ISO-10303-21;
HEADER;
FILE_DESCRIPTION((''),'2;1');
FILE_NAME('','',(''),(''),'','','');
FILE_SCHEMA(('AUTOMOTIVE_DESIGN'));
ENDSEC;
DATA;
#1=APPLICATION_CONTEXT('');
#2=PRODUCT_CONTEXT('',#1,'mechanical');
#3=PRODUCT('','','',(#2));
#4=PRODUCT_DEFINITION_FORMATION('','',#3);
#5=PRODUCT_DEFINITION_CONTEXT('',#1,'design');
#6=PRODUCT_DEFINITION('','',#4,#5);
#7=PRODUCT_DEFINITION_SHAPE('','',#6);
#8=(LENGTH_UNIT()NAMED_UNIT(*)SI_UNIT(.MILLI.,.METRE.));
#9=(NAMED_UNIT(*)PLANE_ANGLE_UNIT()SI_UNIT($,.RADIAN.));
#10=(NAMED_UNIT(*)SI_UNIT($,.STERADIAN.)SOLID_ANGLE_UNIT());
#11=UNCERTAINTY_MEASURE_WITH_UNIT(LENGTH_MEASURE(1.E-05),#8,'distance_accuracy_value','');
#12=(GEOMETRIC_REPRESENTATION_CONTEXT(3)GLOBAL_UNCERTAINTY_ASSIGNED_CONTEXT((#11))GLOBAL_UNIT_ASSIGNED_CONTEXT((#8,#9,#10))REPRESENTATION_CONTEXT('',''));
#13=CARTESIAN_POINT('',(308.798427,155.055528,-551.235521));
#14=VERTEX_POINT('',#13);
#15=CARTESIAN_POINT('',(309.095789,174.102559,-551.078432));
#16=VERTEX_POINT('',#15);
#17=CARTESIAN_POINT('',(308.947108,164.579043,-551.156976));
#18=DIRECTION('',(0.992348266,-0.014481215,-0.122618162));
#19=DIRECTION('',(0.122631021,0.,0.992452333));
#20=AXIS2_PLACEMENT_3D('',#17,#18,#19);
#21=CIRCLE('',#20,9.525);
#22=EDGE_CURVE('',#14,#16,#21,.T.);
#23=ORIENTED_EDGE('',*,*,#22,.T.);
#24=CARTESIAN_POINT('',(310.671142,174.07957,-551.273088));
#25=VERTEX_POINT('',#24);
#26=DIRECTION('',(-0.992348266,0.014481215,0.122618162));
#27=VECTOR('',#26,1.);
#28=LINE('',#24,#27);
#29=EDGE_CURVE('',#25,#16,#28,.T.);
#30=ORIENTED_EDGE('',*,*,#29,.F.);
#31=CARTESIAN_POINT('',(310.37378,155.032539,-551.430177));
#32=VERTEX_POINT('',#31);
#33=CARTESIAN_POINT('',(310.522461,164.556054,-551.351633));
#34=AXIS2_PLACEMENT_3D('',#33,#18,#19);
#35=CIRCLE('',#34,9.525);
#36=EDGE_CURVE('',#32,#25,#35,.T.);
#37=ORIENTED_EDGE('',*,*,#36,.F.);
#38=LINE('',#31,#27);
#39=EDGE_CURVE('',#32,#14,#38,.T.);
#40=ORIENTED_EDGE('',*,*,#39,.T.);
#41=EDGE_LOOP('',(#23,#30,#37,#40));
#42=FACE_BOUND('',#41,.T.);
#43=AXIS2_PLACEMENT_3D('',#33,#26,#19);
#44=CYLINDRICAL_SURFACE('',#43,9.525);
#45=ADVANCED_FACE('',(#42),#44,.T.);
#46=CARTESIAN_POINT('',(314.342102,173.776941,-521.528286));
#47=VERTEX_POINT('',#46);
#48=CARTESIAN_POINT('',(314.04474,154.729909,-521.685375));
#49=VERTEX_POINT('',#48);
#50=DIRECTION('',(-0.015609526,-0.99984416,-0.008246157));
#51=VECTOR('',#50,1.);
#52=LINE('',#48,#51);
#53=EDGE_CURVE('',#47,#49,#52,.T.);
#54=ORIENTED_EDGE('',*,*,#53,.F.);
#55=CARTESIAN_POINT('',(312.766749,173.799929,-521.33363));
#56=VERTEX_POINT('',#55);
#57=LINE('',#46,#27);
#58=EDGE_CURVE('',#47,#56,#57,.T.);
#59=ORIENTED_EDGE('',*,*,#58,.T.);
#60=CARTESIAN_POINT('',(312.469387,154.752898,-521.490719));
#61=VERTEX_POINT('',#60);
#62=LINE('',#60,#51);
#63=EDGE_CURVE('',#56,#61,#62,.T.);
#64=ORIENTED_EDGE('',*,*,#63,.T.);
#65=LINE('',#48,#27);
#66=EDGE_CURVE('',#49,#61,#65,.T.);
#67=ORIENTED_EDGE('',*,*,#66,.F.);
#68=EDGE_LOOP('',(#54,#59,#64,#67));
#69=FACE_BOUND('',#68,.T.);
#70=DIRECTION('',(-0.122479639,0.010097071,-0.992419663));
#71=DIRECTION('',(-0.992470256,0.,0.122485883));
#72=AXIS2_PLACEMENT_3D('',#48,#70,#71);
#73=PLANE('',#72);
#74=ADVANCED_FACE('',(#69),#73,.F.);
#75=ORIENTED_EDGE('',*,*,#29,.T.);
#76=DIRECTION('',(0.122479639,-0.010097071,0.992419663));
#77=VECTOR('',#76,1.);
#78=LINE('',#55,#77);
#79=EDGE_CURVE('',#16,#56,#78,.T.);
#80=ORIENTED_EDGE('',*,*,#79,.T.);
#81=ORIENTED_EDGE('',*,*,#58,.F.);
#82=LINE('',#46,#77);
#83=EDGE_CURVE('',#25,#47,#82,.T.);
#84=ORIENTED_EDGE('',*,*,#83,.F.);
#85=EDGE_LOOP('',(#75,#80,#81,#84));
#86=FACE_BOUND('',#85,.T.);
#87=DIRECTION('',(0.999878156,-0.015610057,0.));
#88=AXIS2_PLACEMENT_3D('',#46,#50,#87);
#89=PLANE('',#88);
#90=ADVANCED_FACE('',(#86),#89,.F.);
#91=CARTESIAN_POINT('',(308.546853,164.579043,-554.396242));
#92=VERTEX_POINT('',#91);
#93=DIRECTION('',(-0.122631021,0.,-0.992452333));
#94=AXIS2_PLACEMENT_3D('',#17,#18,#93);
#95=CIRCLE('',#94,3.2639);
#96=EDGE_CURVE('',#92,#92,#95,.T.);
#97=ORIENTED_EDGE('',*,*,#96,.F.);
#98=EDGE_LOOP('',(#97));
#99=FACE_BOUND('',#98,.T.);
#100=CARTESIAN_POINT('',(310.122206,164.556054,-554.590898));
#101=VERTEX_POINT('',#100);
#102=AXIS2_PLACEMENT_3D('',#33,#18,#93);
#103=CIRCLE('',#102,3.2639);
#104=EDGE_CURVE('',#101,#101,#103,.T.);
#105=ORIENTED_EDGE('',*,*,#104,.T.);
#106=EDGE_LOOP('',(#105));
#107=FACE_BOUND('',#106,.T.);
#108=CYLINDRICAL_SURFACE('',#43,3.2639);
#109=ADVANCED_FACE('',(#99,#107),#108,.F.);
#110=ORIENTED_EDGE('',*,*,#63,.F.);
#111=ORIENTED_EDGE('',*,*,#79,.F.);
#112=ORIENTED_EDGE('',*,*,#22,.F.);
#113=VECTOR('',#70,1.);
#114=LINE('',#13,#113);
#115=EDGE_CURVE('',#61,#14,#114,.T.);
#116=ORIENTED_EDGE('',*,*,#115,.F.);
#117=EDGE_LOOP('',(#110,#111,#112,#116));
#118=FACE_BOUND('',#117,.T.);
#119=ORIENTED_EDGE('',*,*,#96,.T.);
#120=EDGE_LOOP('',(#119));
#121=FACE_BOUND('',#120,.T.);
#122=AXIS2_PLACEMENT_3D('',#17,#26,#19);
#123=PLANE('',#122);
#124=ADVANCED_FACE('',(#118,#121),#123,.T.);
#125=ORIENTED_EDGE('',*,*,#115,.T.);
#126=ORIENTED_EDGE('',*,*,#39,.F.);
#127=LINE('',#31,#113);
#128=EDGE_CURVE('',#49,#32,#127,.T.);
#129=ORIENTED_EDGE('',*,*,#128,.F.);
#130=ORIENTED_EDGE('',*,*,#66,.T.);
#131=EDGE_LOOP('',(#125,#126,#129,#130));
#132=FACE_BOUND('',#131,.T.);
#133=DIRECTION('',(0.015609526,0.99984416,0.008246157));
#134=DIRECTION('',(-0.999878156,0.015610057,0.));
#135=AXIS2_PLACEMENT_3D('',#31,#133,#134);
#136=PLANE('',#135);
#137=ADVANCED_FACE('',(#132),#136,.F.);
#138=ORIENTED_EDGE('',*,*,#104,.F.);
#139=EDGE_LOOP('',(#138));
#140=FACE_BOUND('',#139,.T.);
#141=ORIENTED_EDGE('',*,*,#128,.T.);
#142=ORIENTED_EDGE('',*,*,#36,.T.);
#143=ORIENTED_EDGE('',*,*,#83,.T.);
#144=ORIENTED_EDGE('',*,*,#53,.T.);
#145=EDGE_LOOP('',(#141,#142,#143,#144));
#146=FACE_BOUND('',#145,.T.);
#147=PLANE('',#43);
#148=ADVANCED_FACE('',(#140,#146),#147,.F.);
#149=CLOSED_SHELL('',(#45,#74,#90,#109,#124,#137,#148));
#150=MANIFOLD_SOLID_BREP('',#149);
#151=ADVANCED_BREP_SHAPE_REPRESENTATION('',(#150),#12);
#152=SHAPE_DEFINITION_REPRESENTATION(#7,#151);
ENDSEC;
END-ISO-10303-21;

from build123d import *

# Parameters (mm, degrees)
SKETCH2_R           = 3.2639
BOSS_EXTRUDE1_DEPTH = 1.5875


with BuildPart() as part:
    # Sketch2 → Boss-Extrude1 (new body)
    with BuildSketch(Plane(origin=(368.936903679, -5.383850256, -45.587186199), x_dir=(-0.12260510858720207, 0.001789161069619477, -0.9924539214749405), z_dir=(0.9923482658198145, -0.014481214569019532, -0.12261816239453538))):
        with BuildLine():
            Line((479.363760023, 178.345107166), (509.334725416, 178.594140209))
            ThreePointArc((509.334725416, 178.594140209), (518.938538478, 169.148610861), (509.493009129, 159.544797799))
            Line((509.493009129, 159.544797799), (479.522043737, 159.295764756))
            Line((479.522043737, 159.295764756), (479.363760023, 178.345107166))
        make_face()
        with Locations(Location((509.413867272, 169.069469004, 0), (0, 0, 359.897477817))):
            Circle(SKETCH2_R, mode=Mode.SUBTRACT)
    extrude(amount=BOSS_EXTRUDE1_DEPTH)


solid = part.part
